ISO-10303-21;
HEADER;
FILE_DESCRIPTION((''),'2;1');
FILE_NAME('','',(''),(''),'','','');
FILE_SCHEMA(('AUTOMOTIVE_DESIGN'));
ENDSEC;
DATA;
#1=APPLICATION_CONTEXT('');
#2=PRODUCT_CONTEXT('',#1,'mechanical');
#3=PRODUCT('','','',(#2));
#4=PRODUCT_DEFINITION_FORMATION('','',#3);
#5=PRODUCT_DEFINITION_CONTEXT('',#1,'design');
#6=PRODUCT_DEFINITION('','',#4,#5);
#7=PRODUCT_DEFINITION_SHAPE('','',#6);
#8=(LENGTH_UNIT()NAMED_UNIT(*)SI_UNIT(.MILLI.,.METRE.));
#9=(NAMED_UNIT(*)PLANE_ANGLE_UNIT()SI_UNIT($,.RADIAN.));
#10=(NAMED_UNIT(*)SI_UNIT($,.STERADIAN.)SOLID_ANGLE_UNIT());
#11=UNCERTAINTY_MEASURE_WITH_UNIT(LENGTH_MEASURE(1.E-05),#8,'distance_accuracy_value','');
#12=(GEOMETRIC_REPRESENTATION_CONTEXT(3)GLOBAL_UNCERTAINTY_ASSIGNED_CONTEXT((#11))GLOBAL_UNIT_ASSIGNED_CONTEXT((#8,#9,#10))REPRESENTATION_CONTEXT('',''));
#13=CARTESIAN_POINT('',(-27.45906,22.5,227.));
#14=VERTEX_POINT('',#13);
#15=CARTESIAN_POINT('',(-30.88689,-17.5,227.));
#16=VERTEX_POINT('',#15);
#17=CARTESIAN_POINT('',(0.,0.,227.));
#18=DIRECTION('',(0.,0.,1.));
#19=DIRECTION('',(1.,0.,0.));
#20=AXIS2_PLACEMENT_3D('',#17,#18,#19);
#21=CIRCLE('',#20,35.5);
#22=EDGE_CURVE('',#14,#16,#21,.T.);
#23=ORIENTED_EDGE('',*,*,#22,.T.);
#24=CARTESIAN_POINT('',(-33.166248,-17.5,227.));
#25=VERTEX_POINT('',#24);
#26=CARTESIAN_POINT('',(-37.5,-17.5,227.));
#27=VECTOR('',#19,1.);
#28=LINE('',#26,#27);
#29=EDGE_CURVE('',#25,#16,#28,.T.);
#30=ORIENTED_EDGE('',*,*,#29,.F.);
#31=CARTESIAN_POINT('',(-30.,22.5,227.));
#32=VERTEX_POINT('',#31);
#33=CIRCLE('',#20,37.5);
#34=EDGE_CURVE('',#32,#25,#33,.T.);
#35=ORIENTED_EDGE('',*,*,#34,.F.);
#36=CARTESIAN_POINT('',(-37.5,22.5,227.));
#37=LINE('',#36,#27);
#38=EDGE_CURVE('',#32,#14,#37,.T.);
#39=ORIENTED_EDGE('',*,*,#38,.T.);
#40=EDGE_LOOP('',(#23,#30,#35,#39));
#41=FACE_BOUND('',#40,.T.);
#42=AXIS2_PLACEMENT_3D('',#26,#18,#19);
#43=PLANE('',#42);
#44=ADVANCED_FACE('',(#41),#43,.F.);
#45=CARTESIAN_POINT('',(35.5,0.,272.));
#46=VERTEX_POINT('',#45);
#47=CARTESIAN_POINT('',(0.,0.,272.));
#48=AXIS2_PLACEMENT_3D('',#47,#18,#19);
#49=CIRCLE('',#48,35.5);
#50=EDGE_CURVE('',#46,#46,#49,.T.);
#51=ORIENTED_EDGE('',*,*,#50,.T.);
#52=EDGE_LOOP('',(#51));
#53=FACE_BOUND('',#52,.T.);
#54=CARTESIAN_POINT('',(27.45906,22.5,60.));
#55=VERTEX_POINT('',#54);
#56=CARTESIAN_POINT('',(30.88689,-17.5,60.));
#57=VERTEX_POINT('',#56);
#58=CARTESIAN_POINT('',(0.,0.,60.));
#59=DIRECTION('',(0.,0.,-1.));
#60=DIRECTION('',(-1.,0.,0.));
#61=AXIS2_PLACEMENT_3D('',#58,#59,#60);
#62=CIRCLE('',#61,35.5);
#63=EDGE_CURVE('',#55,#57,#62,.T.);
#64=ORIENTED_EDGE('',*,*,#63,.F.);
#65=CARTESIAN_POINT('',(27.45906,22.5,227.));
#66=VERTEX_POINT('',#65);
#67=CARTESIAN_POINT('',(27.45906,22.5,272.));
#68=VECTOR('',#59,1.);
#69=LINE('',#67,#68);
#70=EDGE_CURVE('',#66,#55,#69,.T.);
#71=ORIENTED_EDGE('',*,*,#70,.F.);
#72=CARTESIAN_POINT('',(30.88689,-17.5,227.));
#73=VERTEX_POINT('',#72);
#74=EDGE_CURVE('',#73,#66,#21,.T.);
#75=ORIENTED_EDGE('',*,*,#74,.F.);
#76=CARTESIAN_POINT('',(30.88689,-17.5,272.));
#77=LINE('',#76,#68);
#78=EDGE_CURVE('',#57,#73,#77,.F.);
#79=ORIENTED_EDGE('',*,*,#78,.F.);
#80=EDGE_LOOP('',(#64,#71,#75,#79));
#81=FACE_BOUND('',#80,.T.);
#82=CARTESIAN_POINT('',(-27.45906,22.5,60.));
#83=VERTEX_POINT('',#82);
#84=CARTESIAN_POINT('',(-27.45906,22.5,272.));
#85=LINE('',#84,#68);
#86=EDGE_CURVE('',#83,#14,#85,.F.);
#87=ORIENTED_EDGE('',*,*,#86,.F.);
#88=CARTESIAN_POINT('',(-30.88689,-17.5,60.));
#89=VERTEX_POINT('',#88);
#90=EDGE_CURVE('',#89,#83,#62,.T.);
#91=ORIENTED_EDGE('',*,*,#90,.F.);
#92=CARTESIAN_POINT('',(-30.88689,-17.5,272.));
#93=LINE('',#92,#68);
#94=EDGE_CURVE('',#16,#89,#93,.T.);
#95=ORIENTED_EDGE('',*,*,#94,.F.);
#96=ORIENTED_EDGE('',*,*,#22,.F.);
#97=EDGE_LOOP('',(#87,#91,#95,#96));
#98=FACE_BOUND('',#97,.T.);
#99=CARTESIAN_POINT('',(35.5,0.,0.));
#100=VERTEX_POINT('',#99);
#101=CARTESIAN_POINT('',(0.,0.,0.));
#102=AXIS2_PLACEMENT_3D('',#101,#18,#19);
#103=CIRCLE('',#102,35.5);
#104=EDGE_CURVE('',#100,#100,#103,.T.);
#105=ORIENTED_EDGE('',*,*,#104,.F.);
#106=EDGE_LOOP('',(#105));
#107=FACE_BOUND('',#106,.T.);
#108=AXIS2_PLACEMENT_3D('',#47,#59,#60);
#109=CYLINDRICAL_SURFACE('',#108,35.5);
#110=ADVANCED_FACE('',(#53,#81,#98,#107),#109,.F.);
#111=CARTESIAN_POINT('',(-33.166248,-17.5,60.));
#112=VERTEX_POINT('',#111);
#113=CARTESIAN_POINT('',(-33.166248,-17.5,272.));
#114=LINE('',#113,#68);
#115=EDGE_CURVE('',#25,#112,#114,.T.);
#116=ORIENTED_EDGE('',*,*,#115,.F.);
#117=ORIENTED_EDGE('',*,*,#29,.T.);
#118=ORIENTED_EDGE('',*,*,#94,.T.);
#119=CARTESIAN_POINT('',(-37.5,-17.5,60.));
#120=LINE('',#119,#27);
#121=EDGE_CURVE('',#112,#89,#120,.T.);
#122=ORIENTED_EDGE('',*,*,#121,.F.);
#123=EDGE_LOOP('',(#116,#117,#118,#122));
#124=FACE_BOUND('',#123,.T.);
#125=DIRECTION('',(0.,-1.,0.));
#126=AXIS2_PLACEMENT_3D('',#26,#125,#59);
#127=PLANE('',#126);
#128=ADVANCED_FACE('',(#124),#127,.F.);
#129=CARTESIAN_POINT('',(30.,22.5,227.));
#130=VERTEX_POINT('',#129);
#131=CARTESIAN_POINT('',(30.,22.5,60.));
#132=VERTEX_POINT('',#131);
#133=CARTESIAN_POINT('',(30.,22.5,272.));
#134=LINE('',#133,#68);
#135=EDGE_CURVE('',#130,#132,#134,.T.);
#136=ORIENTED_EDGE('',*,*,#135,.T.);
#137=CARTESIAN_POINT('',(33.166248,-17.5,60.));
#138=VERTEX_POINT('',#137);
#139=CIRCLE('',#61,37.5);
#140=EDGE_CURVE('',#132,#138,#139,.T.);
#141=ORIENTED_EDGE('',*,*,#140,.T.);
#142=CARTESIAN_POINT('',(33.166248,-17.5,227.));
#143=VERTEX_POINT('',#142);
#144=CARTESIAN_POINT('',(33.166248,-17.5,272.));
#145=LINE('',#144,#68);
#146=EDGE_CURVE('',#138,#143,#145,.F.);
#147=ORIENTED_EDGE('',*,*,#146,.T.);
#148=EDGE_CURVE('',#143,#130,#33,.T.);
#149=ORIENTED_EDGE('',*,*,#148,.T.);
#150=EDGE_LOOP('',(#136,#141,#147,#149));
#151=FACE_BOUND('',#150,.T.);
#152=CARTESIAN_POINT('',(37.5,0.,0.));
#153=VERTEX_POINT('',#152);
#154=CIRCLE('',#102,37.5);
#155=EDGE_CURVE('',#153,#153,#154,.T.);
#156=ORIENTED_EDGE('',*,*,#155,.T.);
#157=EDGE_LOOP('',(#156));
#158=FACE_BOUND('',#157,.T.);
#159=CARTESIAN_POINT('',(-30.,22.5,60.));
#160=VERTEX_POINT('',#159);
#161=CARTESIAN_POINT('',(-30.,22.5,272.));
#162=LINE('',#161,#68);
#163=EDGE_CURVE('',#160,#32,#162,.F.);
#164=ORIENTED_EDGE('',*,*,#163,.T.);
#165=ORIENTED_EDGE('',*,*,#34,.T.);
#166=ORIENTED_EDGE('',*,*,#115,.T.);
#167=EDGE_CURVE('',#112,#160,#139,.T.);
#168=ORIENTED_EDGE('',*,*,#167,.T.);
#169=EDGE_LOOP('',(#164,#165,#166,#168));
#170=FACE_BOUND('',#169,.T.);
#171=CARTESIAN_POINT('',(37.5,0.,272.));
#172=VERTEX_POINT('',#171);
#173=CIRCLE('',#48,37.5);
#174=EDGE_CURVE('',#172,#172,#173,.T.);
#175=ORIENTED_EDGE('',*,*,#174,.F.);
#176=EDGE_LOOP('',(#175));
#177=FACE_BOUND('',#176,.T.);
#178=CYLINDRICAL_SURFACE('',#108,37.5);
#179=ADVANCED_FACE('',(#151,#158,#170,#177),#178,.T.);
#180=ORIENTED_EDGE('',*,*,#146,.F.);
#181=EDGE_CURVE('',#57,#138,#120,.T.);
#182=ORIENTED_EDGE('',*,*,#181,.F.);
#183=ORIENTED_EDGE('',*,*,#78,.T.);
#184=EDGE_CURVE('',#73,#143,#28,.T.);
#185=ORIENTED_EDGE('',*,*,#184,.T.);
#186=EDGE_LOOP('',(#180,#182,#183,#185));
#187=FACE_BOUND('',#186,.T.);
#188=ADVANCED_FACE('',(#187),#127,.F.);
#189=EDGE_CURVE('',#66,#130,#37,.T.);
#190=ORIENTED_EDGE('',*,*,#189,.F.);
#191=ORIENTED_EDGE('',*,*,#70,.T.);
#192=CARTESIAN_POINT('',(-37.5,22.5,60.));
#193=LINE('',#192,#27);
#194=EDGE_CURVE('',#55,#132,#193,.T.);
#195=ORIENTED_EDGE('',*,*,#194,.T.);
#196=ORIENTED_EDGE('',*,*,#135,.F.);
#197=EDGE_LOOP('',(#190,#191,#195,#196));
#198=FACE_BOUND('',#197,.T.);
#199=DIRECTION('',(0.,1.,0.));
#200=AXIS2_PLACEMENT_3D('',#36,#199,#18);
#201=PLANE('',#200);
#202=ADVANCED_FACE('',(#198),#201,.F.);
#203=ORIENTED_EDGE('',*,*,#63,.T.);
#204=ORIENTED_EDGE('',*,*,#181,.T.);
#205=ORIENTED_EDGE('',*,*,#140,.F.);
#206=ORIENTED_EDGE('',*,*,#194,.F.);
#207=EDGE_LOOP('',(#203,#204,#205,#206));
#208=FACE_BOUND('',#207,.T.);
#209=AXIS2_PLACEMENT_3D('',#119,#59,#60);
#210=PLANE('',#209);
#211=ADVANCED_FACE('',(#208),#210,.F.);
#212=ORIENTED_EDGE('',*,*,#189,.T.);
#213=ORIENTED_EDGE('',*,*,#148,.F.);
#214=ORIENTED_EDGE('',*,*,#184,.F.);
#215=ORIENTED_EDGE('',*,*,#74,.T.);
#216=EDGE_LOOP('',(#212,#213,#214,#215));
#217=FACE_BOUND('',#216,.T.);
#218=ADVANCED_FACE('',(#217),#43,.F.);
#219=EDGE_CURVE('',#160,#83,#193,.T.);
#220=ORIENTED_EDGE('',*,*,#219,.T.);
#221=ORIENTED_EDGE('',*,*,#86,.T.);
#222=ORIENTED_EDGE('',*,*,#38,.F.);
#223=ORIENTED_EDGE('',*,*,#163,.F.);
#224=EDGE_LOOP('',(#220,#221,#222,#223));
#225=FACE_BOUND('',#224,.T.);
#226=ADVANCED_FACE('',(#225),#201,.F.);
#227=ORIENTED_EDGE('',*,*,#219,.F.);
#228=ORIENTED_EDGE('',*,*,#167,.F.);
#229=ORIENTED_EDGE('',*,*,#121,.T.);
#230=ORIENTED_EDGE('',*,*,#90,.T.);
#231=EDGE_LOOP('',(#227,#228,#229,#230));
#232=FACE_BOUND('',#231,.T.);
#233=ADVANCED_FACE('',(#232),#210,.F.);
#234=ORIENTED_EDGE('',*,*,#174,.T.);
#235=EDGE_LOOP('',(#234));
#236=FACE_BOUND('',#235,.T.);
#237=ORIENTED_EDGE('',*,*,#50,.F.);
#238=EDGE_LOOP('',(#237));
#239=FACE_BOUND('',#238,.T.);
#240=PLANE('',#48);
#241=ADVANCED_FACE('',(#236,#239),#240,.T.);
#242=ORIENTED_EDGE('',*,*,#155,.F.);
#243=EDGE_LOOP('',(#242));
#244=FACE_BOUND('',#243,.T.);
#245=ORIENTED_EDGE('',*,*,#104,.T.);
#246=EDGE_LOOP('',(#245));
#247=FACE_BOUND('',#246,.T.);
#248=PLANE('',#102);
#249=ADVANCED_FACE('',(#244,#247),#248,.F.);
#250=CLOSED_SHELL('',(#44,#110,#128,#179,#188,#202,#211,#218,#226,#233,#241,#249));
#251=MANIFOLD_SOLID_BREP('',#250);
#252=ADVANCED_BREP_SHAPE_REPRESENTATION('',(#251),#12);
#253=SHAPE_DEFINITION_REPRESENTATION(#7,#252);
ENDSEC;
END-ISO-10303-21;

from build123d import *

# Parameters (mm, degrees)
SKETCH1_R               = 37.5
SKETCH1_R_2             = 35.5
BOSS_EXTRUDE1_DEPTH     = 272
CUT_EXTRUDE1_DEPTH      = 278.121814371
CUT_EXTRUDE1_DEPTH_BACK = 278.121814371
SKETCH2_W               = 167
SKETCH2_H               = 40


with BuildPart() as part:
    # Sketch1 → Boss-Extrude1 (new body)
    with BuildSketch(Plane.XY):
        Circle(SKETCH1_R)
        Circle(SKETCH1_R_2, mode=Mode.SUBTRACT)
    extrude(amount=BOSS_EXTRUDE1_DEPTH)

    # Sketch2 → Cut-Extrude1 (cut, two sides: drawn at the far end of the back side and taken through both)
    with BuildSketch(Plane(origin=(0, 0, 0), x_dir=(0, 0, -1), z_dir=(1, 0, 0)).offset(-CUT_EXTRUDE1_DEPTH_BACK)):
        with Locations((-143.5, 2.5)):
            Rectangle(SKETCH2_W, SKETCH2_H)
    extrude(amount=CUT_EXTRUDE1_DEPTH + CUT_EXTRUDE1_DEPTH_BACK, mode=Mode.SUBTRACT)


solid = part.part
